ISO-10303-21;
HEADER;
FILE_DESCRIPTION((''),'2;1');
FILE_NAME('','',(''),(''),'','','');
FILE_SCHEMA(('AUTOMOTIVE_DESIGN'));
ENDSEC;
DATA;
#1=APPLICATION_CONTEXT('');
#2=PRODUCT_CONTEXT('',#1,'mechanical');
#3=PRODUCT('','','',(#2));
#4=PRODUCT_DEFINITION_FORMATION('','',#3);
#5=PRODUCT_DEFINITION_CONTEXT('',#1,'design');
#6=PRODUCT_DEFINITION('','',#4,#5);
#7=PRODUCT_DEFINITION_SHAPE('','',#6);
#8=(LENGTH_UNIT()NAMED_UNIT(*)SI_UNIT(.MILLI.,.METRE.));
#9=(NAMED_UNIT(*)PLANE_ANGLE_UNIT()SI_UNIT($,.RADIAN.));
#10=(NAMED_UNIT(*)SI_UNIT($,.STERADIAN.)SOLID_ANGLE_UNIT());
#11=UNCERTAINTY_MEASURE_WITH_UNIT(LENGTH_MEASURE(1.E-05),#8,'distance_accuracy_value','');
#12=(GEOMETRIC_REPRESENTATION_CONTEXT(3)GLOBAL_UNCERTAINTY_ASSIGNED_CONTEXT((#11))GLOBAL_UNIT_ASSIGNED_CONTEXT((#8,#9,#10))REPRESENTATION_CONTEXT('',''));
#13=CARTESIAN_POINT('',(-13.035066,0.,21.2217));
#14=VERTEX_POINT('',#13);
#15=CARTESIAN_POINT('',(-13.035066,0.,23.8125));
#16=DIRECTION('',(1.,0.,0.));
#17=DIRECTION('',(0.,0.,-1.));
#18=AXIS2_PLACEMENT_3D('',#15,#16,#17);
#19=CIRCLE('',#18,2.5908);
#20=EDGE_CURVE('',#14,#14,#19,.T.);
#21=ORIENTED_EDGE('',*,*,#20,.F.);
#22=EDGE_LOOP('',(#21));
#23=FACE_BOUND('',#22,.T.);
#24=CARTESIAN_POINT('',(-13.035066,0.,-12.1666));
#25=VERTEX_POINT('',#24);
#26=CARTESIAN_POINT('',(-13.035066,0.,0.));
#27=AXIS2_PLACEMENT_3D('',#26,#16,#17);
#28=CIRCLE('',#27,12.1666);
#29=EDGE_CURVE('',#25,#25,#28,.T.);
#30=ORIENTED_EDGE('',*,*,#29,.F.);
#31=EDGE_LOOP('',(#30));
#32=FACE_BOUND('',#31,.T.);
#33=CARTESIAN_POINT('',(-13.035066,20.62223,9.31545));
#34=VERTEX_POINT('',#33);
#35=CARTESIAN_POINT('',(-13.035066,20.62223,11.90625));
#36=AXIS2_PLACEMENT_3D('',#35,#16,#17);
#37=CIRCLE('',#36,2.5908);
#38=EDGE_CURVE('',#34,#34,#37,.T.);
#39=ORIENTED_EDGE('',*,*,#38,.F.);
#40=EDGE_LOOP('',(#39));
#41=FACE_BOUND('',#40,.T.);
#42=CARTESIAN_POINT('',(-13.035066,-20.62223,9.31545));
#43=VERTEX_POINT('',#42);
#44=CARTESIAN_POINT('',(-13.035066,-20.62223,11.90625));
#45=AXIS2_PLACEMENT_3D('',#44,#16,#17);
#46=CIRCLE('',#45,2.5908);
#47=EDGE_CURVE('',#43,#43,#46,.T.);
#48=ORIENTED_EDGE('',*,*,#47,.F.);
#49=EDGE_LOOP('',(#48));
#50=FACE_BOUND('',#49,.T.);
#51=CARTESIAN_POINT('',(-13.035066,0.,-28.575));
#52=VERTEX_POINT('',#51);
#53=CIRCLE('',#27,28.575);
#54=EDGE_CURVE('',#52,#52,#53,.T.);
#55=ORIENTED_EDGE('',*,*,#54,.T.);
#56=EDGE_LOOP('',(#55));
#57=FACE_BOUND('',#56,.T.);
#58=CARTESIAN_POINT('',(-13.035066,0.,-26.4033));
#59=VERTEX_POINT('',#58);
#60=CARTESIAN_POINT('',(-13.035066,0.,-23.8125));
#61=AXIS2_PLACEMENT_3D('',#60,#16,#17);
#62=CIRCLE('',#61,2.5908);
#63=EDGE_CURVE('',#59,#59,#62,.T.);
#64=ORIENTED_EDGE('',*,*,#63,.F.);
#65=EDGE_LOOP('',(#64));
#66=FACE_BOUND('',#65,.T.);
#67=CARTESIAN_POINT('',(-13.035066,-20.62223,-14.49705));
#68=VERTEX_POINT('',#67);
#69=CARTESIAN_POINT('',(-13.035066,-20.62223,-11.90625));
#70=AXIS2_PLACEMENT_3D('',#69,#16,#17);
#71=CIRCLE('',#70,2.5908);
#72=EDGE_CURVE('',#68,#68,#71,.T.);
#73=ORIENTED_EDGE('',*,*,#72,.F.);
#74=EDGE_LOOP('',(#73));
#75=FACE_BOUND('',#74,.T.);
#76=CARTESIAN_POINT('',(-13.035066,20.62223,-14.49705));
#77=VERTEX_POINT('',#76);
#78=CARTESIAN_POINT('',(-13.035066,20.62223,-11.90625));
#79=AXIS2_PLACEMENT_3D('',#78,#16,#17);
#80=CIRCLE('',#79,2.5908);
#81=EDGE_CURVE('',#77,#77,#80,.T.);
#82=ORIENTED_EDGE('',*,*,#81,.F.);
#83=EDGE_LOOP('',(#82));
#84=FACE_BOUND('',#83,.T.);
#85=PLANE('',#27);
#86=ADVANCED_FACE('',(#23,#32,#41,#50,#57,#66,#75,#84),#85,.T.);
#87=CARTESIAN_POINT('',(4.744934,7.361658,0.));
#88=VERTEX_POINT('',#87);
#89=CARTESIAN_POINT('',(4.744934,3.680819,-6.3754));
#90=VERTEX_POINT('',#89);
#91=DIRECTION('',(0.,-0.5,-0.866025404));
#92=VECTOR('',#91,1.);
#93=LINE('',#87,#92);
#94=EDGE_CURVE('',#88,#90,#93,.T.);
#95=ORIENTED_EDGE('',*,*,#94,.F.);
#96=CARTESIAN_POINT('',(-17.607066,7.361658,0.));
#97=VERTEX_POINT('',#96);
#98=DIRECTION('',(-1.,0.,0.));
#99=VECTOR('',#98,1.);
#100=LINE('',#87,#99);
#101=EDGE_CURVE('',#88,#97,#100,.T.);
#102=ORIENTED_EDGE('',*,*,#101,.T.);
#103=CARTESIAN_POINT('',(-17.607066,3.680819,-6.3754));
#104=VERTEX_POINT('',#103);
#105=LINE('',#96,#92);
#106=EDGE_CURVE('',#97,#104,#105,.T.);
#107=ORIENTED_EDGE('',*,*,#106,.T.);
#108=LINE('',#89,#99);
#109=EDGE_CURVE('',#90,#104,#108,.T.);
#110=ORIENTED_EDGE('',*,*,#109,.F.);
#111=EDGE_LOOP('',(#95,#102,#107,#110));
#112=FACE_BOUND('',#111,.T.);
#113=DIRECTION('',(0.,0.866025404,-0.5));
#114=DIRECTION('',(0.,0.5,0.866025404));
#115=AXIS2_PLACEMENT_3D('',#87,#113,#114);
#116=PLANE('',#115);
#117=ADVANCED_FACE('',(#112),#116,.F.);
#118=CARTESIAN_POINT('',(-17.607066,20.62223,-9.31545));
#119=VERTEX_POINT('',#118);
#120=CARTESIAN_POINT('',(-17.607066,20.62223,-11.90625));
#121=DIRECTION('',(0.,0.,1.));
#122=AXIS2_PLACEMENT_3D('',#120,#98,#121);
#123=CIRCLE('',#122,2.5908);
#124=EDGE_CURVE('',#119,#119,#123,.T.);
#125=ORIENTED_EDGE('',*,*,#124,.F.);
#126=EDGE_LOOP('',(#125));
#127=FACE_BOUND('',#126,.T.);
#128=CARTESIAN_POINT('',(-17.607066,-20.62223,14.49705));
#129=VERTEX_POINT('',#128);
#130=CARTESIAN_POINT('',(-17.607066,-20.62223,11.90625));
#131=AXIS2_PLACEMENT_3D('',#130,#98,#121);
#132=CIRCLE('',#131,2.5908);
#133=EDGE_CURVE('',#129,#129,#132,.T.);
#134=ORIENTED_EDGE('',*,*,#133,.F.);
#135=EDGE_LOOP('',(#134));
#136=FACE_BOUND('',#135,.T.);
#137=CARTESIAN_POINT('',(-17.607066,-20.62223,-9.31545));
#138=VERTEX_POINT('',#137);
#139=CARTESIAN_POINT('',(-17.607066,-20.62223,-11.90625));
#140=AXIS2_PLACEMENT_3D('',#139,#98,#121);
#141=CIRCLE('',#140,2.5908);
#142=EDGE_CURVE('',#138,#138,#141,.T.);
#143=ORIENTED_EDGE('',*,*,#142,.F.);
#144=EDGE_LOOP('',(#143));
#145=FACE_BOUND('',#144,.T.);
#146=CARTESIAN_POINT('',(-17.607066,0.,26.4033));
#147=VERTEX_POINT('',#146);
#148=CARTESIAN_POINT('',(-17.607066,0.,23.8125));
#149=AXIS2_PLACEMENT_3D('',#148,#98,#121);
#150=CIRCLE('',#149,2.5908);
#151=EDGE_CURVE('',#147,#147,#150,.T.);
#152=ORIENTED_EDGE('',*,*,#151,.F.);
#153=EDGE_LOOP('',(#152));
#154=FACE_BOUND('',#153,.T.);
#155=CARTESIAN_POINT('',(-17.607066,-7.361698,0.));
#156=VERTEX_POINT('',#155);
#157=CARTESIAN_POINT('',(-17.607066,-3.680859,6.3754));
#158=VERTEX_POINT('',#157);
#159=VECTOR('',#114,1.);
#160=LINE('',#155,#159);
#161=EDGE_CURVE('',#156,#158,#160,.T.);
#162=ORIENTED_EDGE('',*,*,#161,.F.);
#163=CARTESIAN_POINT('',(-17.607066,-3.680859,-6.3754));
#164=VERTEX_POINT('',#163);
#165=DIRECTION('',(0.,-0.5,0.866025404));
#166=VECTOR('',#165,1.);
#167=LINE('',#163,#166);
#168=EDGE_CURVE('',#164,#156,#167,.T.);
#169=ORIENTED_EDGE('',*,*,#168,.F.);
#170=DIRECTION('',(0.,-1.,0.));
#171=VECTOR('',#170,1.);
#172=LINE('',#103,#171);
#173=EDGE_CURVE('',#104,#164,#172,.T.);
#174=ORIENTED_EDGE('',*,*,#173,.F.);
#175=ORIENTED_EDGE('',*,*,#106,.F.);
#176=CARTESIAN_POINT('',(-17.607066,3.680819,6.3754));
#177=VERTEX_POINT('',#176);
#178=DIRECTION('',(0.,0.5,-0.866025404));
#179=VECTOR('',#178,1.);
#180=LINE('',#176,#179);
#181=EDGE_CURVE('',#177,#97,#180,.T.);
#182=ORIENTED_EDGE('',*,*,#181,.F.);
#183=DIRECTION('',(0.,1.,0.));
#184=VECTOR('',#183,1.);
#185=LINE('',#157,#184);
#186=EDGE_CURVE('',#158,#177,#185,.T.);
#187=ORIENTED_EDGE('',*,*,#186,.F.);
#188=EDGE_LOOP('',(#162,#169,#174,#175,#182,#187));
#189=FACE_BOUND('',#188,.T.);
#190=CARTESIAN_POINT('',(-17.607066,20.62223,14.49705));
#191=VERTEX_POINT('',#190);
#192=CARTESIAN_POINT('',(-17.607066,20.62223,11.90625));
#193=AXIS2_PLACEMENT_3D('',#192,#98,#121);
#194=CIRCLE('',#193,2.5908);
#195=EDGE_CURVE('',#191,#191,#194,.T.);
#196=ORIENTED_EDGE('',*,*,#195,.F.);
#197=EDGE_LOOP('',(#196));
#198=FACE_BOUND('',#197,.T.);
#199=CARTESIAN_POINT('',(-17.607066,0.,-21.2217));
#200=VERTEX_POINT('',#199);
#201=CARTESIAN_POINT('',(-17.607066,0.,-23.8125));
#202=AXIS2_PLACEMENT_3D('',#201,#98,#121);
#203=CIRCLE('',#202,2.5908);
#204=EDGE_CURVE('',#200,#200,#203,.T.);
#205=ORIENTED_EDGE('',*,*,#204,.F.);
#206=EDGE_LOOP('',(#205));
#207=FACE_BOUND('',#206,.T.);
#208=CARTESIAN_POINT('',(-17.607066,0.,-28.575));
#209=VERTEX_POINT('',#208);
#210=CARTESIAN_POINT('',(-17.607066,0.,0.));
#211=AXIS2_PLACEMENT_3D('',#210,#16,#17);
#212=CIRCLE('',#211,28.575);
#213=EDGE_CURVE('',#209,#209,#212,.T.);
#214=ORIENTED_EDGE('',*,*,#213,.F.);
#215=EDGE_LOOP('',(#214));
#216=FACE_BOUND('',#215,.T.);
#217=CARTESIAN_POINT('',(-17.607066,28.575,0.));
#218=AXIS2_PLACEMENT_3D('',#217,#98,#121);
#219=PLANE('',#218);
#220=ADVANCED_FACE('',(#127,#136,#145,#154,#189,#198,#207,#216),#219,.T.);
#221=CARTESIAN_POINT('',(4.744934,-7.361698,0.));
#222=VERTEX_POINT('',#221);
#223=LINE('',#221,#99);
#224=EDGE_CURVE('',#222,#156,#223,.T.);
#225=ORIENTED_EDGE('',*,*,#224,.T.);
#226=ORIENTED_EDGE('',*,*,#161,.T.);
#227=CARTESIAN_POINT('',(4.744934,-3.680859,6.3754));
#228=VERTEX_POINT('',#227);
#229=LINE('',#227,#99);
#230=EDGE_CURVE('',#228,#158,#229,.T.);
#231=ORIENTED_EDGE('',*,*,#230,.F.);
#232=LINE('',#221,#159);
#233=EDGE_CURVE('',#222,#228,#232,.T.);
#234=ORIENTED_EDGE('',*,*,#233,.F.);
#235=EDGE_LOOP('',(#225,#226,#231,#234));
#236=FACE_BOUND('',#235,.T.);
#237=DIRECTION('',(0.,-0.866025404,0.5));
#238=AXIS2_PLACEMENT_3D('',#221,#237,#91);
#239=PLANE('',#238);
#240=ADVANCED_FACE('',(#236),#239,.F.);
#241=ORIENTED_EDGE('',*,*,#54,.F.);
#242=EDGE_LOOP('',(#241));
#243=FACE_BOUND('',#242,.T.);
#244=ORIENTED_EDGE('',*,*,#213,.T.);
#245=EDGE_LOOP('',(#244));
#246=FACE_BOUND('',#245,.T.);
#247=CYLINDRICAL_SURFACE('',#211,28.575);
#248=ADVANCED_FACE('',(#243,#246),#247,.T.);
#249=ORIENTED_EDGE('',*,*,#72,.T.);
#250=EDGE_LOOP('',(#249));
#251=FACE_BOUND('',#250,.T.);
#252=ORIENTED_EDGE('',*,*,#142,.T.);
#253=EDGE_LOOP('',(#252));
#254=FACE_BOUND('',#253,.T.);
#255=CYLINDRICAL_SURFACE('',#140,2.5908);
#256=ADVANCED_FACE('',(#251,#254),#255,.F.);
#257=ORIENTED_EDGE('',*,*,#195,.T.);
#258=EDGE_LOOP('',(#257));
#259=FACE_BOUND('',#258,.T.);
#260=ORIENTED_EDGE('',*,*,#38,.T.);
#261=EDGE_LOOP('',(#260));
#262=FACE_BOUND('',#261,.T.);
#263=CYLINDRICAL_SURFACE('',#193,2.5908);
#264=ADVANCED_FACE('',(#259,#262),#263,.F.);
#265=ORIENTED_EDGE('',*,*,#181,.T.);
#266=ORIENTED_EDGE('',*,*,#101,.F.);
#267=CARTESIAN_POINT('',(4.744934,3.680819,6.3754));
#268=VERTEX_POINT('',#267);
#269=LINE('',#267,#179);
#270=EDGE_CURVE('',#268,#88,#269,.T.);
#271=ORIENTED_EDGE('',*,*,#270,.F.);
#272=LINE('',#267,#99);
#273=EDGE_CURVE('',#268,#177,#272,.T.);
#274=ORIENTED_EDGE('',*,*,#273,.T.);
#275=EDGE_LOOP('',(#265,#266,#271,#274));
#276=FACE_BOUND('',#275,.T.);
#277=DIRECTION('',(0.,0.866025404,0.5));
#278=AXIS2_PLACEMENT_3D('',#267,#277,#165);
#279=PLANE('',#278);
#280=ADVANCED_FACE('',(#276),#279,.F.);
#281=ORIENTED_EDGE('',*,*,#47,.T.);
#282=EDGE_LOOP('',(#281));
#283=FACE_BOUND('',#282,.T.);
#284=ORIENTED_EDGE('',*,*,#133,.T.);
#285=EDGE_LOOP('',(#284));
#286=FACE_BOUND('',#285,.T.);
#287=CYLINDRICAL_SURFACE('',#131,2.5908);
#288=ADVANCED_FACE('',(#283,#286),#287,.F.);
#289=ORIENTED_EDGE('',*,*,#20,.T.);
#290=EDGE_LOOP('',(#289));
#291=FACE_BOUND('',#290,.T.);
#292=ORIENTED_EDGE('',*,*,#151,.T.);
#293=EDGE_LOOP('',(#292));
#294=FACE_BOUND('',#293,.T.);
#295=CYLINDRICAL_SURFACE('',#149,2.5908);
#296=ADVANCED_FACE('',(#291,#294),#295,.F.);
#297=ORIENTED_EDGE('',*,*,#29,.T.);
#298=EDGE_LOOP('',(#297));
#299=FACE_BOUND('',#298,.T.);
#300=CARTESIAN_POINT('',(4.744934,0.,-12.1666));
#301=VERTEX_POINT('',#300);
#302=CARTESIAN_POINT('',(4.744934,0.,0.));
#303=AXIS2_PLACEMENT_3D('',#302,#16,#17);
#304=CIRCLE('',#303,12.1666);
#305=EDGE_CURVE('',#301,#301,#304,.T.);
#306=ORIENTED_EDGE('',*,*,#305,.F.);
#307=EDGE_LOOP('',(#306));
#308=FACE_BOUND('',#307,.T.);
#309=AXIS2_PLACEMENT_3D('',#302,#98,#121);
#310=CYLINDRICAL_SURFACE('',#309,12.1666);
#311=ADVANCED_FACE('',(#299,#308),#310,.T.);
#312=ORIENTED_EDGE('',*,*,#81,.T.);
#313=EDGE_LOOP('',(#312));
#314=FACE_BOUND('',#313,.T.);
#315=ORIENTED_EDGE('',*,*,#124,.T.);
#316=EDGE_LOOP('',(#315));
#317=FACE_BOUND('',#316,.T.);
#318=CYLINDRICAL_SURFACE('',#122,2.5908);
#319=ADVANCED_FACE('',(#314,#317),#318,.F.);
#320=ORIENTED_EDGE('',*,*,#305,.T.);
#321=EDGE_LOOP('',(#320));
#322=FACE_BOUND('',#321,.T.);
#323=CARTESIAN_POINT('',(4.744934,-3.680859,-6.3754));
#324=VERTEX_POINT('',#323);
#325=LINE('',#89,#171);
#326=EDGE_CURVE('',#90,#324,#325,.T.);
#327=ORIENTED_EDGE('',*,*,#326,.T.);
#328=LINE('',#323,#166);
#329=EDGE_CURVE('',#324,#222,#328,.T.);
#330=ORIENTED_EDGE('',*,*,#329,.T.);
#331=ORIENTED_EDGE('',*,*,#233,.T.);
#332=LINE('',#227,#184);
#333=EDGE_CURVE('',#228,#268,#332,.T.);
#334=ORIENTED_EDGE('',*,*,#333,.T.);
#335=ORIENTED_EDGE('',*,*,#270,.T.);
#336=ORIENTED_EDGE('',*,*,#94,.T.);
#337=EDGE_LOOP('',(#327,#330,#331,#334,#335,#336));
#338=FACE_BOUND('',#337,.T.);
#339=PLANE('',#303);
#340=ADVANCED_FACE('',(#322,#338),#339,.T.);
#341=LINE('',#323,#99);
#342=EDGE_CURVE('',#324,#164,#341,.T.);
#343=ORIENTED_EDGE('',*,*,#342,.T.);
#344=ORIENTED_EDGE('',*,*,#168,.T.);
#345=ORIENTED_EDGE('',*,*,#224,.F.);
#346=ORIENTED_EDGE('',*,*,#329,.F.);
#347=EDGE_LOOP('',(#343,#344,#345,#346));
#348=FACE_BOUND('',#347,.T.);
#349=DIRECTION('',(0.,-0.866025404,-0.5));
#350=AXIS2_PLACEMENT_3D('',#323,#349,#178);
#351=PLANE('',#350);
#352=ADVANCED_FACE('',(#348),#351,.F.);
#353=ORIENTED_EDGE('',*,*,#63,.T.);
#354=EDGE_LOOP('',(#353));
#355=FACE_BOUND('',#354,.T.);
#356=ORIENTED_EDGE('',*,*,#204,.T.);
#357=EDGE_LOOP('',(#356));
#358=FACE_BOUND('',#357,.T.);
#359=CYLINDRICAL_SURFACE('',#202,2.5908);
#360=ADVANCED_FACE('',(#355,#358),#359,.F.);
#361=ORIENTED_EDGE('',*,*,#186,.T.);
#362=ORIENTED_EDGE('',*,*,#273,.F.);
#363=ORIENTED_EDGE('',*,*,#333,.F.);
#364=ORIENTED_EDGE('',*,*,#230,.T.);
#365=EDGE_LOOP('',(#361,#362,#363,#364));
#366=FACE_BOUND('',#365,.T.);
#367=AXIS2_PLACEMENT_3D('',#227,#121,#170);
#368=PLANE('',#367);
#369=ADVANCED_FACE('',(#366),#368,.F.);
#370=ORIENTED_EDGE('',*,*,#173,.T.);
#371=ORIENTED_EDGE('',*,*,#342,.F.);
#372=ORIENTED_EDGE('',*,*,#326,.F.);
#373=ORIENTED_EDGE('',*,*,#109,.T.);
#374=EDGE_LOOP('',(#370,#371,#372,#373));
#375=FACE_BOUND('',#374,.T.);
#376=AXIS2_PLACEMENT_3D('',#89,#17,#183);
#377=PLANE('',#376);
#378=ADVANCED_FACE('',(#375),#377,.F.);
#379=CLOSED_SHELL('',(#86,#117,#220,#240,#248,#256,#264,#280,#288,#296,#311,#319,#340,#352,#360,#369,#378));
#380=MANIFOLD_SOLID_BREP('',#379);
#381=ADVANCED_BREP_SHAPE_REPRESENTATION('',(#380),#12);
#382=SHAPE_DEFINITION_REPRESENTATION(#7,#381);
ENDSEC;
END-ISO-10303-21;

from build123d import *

# Parameters (mm, degrees)
SKETCH1_W           = 4.572
SKETCH1_H           = 28.575
SKETCH2_R           = 12.1666
BOSS_EXTRUDE1_DEPTH = 17.78
CUT_EXTRUDE1_DEPTH  = 47.180874331
HOLE1_D             = 5.1816
HOLE1_DEPTH         = 22.352


with BuildPart() as part:
    # Sketch1 → Revolve1 (revolve)
    with BuildSketch(Plane.XY, mode=Mode.PRIVATE) as revolve1_sk:
        with Locations((-15.321066246, 14.2875)):
            Rectangle(SKETCH1_W, SKETCH1_H)
    revolve(revolve1_sk.sketch.rotate(Axis((-17.607066246, 0, 0), (1, 0, 0)), 270), axis=Axis((-17.607066246, 0, 0), (1, 0, 0)))

    # Sketch2 → Boss-Extrude1 (add)
    with BuildSketch(Plane(origin=(-13.035066246, 0, 0), x_dir=(0, 0, -1), z_dir=(1, 0, 0))):
        Circle(SKETCH2_R)
    extrude(amount=BOSS_EXTRUDE1_DEPTH)

    # Sketch3 → Cut-Extrude1 (cut, through all)
    with BuildSketch(Plane.ZY.offset(17.607066246)):
        Polygon((0, -7.361697812), (6.3754, -3.680858906), (6.3754, 3.680818906), (0, 7.361657812), (-6.3754, 3.680818906), (-6.3754, -3.680858906), align=None)
    extrude(amount=-CUT_EXTRUDE1_DEPTH, mode=Mode.SUBTRACT)

    # Hole1
    with Locations(Plane.ZY.offset(17.607066246)):
        with Locations((11.90625, -20.622229928), (-11.90625, -20.622229928), (-23.8125, 0), (-11.90625, 20.622229928), (11.90625, 20.622229928), (23.8125, 0)):
            Hole(HOLE1_D / 2, depth=HOLE1_DEPTH)


solid = part.part
